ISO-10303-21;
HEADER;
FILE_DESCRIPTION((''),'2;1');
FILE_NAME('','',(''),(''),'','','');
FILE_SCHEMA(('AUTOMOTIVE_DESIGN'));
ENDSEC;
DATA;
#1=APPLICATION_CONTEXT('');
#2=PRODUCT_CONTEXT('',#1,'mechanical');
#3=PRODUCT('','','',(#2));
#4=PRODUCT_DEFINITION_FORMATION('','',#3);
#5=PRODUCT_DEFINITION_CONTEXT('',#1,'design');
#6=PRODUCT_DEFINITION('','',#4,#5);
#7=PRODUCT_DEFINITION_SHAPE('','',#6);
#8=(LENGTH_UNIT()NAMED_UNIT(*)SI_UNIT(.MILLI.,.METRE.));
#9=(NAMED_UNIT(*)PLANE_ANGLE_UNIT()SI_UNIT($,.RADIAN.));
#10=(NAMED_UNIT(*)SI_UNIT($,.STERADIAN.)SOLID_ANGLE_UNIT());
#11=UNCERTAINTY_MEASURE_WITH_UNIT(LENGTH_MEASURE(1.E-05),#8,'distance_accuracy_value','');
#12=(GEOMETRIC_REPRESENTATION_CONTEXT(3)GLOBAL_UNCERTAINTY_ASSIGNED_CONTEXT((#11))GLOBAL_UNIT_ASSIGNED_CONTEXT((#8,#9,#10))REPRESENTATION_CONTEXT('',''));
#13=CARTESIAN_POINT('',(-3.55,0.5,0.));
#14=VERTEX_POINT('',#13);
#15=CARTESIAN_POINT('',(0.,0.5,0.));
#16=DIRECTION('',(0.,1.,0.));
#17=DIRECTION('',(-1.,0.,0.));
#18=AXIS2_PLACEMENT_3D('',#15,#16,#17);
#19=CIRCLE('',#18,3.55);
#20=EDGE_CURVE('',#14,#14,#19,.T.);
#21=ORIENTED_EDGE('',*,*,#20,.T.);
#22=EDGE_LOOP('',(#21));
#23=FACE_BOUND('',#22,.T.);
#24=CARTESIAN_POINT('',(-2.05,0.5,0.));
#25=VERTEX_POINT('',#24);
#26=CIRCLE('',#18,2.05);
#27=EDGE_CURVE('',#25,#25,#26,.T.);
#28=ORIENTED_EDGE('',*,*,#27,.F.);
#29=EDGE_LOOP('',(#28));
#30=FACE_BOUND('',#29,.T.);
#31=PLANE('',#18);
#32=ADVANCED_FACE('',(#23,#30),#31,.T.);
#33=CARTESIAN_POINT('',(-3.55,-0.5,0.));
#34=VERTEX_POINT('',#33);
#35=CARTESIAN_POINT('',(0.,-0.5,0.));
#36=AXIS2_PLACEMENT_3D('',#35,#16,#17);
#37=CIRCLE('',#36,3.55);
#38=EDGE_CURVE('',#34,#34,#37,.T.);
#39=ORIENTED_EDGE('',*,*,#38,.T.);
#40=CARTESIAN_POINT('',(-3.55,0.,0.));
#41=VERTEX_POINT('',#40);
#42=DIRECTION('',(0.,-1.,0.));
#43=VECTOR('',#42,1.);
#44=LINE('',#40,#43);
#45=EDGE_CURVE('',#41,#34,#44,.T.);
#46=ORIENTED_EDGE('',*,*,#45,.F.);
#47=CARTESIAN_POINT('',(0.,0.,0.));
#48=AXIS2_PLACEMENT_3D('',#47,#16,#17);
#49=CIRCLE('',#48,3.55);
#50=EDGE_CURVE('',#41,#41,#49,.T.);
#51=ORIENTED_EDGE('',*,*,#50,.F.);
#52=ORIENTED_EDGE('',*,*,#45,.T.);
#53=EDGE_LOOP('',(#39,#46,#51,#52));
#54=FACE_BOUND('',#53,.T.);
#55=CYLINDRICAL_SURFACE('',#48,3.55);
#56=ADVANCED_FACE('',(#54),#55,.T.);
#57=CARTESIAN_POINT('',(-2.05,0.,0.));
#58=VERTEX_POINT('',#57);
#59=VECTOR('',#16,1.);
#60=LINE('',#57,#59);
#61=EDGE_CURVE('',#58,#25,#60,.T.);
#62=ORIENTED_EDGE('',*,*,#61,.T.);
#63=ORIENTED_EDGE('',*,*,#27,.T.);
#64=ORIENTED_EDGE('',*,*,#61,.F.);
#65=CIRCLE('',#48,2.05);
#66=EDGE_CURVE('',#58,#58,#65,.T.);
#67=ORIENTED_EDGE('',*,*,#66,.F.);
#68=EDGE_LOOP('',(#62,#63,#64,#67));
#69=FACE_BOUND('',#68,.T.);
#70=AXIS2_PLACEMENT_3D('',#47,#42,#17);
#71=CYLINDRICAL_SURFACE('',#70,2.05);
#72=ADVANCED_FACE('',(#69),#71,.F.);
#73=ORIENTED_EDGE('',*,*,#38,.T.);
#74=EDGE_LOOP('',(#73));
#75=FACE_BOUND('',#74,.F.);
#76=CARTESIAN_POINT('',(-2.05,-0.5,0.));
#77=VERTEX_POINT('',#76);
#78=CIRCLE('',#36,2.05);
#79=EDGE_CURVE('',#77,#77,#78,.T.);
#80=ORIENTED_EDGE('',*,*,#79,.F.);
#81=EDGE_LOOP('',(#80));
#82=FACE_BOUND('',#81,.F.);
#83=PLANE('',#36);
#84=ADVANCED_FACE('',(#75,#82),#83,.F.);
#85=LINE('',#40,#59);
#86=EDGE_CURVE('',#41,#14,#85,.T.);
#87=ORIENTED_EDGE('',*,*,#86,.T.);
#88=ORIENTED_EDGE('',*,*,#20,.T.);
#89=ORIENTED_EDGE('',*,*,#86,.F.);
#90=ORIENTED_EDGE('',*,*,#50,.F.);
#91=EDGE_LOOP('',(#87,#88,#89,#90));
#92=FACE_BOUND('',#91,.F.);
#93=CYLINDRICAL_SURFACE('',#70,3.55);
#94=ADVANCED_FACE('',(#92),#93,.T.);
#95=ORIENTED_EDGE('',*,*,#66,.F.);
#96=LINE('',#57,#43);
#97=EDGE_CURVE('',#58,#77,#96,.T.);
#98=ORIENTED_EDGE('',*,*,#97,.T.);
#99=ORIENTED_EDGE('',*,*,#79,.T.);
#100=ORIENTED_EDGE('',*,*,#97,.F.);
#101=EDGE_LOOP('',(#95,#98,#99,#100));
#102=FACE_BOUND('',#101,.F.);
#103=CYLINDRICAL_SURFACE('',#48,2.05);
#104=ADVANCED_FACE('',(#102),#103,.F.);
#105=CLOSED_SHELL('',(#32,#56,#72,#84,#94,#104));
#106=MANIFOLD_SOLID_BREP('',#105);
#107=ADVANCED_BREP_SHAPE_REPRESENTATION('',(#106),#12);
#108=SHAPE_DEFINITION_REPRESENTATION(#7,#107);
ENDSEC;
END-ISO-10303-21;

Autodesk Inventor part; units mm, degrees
sketch "Эскиз1" plane through (0, 0, 0) normal (0, 1, 0) x (-1, 0, 0)
  circle A0 centre (0, 0) radius 3.55
  circle A1 centre (0, 0) radius 2.05
  dimension "d0" = 7.1
  dimension "d1" = 4.1
extrude "Выдавливание1" add sketch "Эскиз1" along normal mid plane 1
